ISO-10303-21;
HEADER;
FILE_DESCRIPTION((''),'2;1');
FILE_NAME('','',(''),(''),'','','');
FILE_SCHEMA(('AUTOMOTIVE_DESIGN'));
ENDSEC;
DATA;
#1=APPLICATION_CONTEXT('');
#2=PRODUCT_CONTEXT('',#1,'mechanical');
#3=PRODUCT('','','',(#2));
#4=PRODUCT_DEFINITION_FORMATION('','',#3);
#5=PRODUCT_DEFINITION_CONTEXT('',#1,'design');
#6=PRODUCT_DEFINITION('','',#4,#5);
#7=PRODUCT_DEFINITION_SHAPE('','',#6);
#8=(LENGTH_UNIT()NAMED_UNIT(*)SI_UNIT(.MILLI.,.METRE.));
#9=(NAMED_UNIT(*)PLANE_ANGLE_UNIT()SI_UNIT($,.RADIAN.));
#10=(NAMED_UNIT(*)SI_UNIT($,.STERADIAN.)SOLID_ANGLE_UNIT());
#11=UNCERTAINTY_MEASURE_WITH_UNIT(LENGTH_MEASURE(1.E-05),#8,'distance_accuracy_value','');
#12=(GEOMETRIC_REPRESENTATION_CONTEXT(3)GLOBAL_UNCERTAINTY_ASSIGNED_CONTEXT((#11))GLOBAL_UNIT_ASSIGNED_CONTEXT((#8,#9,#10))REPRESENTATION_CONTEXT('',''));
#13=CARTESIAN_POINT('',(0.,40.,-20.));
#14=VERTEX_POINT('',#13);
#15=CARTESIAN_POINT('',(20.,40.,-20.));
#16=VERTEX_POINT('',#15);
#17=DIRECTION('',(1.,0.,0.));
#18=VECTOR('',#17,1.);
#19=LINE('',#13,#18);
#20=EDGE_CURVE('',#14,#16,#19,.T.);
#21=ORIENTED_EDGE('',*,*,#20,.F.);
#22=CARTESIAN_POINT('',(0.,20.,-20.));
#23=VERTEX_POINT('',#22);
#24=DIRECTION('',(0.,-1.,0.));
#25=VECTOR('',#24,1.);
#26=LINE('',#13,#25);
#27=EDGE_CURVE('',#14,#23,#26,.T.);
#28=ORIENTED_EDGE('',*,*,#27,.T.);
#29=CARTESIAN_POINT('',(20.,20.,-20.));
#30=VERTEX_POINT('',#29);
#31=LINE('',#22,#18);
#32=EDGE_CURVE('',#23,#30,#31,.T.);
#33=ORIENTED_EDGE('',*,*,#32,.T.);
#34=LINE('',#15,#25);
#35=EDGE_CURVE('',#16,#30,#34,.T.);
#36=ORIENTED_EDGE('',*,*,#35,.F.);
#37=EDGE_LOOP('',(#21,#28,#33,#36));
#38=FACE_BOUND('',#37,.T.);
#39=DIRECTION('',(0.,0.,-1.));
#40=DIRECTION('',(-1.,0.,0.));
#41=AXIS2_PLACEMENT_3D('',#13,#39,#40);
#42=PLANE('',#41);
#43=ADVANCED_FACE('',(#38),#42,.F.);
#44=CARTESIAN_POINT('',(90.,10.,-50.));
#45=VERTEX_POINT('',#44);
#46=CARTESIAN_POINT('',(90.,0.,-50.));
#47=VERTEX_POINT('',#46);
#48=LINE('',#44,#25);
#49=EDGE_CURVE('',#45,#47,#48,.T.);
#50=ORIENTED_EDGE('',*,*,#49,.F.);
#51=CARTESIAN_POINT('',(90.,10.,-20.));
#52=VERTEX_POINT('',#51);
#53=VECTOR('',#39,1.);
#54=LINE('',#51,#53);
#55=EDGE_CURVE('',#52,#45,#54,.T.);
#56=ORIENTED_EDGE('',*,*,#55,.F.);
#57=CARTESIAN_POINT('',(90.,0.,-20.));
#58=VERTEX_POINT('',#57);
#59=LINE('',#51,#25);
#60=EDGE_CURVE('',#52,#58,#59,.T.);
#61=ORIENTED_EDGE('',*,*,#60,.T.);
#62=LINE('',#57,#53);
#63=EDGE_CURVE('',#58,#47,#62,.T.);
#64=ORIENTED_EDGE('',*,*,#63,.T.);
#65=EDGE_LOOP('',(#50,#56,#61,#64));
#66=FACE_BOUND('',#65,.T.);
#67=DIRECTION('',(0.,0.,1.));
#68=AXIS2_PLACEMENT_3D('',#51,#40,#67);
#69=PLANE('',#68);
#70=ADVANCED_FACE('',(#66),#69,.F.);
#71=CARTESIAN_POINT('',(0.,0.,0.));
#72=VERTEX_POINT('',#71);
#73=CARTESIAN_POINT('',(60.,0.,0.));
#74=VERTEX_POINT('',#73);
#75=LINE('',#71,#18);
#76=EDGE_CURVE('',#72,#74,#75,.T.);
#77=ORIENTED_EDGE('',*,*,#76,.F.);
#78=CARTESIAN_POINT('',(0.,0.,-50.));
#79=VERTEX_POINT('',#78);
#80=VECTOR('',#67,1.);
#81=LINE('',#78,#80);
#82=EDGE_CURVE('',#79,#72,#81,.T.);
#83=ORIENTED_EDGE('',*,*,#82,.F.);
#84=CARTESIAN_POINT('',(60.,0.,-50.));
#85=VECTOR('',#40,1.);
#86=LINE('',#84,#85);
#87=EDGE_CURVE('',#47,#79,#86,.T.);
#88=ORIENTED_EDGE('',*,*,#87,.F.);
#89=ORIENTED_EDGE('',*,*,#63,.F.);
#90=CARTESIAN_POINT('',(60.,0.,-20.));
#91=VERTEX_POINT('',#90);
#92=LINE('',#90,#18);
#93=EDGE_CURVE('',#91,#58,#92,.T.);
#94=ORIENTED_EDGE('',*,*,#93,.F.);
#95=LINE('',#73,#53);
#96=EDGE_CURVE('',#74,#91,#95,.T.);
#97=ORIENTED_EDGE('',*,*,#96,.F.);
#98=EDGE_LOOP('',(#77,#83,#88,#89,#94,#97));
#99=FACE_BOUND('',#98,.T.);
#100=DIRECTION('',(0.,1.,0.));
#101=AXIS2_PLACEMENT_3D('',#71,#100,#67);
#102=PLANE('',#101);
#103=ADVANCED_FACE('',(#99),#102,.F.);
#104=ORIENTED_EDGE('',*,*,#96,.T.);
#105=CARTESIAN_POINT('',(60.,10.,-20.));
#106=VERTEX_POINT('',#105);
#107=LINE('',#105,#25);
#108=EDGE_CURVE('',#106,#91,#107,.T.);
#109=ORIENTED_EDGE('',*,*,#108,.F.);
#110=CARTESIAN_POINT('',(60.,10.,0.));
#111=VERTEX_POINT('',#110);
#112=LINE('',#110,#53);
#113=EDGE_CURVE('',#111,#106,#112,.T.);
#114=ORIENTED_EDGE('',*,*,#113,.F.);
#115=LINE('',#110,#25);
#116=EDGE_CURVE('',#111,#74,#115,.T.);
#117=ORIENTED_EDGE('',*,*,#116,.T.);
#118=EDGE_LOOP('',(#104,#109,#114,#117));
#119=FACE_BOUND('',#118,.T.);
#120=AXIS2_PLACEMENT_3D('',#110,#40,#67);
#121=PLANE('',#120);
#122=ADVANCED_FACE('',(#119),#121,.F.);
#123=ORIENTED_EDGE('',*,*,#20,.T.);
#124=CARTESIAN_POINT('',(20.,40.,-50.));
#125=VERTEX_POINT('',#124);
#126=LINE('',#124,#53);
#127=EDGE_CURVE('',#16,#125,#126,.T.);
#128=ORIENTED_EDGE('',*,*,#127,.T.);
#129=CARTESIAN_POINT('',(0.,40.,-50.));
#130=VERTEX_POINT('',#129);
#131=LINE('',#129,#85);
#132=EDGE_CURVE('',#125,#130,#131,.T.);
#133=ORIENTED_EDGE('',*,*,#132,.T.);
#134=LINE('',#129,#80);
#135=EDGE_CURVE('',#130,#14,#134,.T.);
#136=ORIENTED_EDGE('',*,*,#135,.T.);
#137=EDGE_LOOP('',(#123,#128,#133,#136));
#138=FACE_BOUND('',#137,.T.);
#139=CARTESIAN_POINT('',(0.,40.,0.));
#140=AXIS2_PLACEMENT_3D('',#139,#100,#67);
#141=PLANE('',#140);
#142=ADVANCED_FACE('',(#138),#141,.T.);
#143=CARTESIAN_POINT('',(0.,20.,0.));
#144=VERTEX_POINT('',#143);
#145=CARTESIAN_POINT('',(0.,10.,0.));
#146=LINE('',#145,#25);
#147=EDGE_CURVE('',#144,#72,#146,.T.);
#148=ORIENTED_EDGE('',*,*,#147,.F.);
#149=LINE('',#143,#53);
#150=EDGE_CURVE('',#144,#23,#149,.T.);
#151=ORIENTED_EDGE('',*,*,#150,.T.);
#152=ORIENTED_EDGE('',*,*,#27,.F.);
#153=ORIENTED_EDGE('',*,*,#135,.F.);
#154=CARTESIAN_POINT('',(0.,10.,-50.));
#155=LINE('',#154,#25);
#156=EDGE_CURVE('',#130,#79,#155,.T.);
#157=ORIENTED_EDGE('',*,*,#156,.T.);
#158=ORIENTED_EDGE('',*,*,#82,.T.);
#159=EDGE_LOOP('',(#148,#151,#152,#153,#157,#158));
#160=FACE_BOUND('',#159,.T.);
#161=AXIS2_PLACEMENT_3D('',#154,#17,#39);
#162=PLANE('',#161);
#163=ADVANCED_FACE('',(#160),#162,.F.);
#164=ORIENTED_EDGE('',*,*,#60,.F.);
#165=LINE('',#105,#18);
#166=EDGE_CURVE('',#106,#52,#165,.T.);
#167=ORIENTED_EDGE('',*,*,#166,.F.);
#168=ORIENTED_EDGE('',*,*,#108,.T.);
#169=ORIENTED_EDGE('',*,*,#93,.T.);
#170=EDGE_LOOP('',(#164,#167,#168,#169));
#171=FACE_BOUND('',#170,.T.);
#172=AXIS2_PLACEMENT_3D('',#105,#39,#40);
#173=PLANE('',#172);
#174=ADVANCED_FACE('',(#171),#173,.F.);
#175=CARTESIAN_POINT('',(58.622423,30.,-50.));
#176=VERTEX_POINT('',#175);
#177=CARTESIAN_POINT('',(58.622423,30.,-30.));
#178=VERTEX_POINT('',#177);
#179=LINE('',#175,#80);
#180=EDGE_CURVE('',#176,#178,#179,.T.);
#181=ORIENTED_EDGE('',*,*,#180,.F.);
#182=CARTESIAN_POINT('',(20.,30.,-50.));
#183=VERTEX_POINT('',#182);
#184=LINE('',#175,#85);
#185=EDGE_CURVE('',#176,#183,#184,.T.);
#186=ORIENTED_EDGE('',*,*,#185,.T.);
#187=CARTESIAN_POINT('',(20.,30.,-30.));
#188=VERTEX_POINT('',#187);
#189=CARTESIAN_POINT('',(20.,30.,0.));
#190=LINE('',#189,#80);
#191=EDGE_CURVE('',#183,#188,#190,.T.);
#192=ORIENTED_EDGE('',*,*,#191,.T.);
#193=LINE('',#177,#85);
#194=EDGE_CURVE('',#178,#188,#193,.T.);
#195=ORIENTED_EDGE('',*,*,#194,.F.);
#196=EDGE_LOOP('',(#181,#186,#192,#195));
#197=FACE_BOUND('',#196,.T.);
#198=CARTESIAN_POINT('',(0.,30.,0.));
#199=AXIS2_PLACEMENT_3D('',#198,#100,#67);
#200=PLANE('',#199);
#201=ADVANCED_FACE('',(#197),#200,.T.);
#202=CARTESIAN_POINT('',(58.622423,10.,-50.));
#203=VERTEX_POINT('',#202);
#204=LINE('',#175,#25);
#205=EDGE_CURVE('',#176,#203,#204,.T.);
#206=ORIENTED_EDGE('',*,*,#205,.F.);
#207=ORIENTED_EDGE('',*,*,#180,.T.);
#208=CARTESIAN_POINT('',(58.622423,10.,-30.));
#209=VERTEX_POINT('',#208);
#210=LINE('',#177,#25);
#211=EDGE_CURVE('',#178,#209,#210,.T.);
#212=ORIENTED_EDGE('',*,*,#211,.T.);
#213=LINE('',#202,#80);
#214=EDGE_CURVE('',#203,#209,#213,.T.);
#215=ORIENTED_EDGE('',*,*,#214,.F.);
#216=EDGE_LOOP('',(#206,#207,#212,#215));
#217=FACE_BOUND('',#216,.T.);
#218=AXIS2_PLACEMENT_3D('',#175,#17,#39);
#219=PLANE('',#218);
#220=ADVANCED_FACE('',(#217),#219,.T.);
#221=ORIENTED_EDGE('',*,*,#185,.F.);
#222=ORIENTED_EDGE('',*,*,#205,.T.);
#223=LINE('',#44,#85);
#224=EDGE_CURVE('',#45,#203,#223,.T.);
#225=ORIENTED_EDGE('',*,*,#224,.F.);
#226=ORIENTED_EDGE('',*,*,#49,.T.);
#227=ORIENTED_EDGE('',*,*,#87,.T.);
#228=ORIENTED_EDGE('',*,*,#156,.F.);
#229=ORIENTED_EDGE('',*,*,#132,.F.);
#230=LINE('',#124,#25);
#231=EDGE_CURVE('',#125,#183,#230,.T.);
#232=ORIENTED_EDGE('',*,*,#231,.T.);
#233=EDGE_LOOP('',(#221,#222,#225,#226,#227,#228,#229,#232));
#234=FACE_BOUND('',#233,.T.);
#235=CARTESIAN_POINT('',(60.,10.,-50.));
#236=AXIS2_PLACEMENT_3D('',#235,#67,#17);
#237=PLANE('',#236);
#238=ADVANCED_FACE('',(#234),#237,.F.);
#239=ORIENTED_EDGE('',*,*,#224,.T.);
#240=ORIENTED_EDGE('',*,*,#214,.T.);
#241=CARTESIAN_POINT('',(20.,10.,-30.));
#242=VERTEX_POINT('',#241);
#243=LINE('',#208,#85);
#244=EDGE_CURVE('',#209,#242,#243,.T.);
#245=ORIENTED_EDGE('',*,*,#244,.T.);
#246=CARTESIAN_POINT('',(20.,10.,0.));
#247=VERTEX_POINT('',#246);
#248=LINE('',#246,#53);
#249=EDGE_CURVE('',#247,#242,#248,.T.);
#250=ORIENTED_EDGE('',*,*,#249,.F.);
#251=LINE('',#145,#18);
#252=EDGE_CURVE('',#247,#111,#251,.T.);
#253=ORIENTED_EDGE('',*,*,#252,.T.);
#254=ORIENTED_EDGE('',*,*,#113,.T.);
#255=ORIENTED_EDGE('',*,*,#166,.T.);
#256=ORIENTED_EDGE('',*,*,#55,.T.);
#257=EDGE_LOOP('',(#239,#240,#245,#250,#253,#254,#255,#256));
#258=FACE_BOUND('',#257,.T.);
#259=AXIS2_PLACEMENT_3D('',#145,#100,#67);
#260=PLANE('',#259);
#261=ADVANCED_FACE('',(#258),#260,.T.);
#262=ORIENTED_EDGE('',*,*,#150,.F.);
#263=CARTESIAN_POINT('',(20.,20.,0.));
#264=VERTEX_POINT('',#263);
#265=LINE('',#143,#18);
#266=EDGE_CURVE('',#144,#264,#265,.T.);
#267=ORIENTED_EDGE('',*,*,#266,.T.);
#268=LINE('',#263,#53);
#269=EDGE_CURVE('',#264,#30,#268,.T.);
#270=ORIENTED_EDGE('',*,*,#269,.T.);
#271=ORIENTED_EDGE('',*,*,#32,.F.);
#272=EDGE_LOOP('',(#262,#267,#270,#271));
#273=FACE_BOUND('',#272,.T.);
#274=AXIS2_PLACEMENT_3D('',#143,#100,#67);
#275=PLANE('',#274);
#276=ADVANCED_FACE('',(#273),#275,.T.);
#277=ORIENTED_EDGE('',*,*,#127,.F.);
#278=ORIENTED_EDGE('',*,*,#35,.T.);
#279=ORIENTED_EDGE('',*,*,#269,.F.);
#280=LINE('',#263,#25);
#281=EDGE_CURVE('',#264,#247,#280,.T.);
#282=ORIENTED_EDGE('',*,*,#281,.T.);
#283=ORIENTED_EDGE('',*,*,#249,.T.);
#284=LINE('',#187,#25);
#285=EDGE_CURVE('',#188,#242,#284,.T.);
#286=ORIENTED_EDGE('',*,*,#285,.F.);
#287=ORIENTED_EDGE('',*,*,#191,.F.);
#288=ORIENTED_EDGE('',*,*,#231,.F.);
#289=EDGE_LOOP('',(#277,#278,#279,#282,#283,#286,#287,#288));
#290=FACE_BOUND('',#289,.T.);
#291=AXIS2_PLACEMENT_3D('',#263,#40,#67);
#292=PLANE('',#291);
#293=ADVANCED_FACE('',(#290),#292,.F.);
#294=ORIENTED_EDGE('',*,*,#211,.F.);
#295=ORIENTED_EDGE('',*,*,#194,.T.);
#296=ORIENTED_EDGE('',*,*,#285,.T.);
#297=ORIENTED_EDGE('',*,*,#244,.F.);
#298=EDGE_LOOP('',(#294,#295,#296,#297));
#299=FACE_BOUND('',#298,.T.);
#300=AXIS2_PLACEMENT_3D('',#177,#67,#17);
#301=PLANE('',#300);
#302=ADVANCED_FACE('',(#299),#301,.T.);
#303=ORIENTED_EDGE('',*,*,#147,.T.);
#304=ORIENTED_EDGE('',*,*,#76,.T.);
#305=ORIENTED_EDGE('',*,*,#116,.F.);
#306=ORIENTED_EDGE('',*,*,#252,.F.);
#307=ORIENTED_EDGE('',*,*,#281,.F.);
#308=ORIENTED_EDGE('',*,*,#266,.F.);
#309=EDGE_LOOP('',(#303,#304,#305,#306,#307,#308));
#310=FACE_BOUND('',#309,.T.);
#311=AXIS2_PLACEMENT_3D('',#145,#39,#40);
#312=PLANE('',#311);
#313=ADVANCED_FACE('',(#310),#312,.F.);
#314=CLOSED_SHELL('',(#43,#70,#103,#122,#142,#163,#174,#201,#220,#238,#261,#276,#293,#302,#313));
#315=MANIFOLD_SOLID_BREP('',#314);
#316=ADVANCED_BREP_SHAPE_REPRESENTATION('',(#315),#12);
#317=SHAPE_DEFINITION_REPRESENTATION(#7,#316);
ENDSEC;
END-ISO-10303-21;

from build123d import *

# Parameters (mm, degrees)
BOSS_EXTRUDE2_DEPTH = 10
SKETCH2_W           = 20
SKETCH2_H           = 20
BOSS_EXTRUDE3_DEPTH = 10
SKETCH3_W           = 40
SKETCH3_H           = 20
BOSS_EXTRUDE4_DEPTH = 20
SKETCH4_W           = 20
SKETCH4_H           = 30
BOSS_EXTRUDE6_DEPTH = 30


with BuildPart() as part:
    # Sketch1 → Boss-Extrude2 (new body)
    with BuildSketch(Plane(origin=(0, 0, 0), x_dir=(1, 0, 0), z_dir=(0, 1, 0))):
        Polygon((0, 0), (60, 0), (60, 20), (90, 20), (90, 50), (60, 50), (0, 50), align=None)
    extrude(amount=BOSS_EXTRUDE2_DEPTH)

    # Sketch2 → Boss-Extrude3 (add)
    with BuildSketch(Plane(origin=(0, 10, 0), x_dir=(1, 0, 0), z_dir=(0, 1, 0))):
        with Locations((10, 10)):
            Rectangle(SKETCH2_W, SKETCH2_H)
    extrude(amount=BOSS_EXTRUDE3_DEPTH)

    # Sketch3 → Boss-Extrude4 (add)
    with BuildSketch(Plane(origin=(0, 10, 0), x_dir=(1, 0, 0), z_dir=(0, 1, 0))):
        with Locations((38.622423296, 40)):
            Rectangle(SKETCH3_W, SKETCH3_H)
    extrude(amount=BOSS_EXTRUDE4_DEPTH)

    # Sketch4 → Boss-Extrude6 (add)
    with BuildSketch(Plane(origin=(0, 10, 0), x_dir=(1, 0, 0), z_dir=(0, 1, 0))):
        with Locations((10, 35)):
            Rectangle(SKETCH4_W, SKETCH4_H)
    extrude(amount=BOSS_EXTRUDE6_DEPTH)


solid = part.part
